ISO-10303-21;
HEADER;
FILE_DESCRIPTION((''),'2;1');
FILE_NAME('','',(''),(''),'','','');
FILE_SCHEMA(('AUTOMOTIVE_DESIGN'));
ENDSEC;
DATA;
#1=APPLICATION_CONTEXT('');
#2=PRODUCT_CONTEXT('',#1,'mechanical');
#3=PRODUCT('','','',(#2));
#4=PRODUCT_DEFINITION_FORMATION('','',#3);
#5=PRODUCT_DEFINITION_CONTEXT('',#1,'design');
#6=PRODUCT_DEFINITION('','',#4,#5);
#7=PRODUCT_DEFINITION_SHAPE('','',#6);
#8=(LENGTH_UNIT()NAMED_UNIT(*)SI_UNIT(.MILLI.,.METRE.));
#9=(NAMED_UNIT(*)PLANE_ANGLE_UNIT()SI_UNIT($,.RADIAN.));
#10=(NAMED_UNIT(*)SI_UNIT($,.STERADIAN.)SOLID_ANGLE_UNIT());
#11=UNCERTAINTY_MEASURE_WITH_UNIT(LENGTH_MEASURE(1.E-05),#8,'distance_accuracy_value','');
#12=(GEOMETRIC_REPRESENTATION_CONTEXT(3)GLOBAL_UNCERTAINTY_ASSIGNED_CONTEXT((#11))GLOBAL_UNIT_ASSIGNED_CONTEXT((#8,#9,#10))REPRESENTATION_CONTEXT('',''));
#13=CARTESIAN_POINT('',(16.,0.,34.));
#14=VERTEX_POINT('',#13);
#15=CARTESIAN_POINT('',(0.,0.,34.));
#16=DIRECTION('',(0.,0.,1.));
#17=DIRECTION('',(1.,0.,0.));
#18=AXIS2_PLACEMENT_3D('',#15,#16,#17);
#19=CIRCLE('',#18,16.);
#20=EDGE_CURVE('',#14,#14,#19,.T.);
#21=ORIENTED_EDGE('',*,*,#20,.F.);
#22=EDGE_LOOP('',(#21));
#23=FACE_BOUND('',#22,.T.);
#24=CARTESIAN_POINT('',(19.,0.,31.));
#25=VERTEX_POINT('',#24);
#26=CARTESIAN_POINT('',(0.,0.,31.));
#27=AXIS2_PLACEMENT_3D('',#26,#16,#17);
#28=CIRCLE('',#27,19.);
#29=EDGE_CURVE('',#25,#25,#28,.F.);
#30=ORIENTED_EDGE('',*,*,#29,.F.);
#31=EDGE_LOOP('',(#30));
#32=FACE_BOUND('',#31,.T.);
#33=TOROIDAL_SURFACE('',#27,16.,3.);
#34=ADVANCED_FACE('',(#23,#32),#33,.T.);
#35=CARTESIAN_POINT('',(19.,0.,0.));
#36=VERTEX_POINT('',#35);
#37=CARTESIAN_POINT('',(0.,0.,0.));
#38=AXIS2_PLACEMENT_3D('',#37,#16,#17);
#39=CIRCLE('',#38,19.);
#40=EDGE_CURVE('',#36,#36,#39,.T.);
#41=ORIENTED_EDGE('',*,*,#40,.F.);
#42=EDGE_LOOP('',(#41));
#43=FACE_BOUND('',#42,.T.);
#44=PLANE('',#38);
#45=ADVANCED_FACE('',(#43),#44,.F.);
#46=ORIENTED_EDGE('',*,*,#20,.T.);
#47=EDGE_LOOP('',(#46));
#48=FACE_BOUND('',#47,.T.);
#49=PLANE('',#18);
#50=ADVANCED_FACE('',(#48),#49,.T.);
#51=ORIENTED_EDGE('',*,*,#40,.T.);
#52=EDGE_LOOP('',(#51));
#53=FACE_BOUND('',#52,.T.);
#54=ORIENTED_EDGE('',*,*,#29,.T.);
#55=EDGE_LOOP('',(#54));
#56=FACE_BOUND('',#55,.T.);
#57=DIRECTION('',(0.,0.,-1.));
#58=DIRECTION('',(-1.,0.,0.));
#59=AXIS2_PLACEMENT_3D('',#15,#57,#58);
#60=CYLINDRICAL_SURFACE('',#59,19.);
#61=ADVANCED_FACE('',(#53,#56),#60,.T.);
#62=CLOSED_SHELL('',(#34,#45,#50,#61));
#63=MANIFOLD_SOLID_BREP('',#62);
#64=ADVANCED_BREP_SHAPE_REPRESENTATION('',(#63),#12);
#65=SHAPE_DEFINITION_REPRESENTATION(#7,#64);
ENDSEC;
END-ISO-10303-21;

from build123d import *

# Parameters (mm, degrees)
SKETCH_1_R      = 19
EXTRUDE_1_DEPTH = 34
FILLET_1_R      = 3


with BuildPart() as part:
    # 草图1 → 凸台-拉伸1 (new body)
    with BuildSketch(Plane.XY):
        Circle(SKETCH_1_R)
    extrude(amount=EXTRUDE_1_DEPTH)

    # 圆角1
    fillet_1_edges = [part.edges().sort_by_distance(p)[0] for p in [
        (-19, 0, 34),
    ]]
    fillet(fillet_1_edges, radius=FILLET_1_R)


solid = part.part
